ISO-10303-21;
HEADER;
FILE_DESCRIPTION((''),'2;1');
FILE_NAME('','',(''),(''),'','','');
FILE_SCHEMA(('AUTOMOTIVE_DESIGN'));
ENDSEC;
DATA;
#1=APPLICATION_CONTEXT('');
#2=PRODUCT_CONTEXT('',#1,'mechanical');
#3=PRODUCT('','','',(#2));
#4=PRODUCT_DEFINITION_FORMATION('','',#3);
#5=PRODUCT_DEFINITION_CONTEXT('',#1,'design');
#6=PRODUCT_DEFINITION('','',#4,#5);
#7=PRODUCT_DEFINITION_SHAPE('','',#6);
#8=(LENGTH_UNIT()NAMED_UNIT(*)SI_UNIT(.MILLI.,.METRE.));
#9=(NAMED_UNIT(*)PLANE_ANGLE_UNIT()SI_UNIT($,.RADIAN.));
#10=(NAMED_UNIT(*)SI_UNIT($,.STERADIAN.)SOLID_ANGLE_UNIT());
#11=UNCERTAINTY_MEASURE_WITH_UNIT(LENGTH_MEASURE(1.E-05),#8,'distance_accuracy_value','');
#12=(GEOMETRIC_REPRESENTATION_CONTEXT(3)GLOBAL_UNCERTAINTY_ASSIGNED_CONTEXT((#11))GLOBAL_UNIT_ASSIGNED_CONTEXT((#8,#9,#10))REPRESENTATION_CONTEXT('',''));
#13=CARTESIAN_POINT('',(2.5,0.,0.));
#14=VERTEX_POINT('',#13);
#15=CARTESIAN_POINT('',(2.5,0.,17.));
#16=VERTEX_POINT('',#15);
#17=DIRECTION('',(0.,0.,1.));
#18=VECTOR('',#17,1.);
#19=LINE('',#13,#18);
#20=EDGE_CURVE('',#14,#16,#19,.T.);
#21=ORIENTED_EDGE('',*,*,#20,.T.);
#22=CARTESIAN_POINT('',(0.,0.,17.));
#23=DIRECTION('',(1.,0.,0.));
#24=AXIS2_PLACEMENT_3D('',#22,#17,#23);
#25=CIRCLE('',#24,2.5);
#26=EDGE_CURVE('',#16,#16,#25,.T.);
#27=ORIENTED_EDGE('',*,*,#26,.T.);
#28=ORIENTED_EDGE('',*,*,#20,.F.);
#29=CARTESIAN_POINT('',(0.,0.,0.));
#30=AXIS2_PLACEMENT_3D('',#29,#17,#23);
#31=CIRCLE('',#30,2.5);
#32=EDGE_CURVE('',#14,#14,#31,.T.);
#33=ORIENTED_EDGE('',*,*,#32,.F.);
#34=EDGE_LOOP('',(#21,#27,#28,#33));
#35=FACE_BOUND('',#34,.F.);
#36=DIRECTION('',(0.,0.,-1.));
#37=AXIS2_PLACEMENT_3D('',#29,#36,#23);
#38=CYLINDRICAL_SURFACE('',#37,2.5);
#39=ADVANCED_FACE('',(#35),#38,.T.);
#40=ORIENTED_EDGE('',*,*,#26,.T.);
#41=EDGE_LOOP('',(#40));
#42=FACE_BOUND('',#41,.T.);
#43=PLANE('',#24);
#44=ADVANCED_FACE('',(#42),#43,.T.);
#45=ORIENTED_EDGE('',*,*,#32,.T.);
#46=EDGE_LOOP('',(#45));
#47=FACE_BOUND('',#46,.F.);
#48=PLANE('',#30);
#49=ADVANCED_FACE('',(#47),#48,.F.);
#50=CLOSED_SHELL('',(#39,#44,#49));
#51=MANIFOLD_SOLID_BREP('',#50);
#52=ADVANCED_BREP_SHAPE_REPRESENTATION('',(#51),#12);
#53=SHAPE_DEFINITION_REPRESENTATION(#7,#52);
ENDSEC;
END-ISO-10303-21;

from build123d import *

# Parameters (mm, degrees)
SKETCH_R  = 2.5
PAD_DEPTH = 17


with BuildPart() as part:
    # Sketch → Pad (new body)
    with BuildSketch(Plane.XY):
        Circle(SKETCH_R)
    extrude(amount=PAD_DEPTH)


solid = part.part
